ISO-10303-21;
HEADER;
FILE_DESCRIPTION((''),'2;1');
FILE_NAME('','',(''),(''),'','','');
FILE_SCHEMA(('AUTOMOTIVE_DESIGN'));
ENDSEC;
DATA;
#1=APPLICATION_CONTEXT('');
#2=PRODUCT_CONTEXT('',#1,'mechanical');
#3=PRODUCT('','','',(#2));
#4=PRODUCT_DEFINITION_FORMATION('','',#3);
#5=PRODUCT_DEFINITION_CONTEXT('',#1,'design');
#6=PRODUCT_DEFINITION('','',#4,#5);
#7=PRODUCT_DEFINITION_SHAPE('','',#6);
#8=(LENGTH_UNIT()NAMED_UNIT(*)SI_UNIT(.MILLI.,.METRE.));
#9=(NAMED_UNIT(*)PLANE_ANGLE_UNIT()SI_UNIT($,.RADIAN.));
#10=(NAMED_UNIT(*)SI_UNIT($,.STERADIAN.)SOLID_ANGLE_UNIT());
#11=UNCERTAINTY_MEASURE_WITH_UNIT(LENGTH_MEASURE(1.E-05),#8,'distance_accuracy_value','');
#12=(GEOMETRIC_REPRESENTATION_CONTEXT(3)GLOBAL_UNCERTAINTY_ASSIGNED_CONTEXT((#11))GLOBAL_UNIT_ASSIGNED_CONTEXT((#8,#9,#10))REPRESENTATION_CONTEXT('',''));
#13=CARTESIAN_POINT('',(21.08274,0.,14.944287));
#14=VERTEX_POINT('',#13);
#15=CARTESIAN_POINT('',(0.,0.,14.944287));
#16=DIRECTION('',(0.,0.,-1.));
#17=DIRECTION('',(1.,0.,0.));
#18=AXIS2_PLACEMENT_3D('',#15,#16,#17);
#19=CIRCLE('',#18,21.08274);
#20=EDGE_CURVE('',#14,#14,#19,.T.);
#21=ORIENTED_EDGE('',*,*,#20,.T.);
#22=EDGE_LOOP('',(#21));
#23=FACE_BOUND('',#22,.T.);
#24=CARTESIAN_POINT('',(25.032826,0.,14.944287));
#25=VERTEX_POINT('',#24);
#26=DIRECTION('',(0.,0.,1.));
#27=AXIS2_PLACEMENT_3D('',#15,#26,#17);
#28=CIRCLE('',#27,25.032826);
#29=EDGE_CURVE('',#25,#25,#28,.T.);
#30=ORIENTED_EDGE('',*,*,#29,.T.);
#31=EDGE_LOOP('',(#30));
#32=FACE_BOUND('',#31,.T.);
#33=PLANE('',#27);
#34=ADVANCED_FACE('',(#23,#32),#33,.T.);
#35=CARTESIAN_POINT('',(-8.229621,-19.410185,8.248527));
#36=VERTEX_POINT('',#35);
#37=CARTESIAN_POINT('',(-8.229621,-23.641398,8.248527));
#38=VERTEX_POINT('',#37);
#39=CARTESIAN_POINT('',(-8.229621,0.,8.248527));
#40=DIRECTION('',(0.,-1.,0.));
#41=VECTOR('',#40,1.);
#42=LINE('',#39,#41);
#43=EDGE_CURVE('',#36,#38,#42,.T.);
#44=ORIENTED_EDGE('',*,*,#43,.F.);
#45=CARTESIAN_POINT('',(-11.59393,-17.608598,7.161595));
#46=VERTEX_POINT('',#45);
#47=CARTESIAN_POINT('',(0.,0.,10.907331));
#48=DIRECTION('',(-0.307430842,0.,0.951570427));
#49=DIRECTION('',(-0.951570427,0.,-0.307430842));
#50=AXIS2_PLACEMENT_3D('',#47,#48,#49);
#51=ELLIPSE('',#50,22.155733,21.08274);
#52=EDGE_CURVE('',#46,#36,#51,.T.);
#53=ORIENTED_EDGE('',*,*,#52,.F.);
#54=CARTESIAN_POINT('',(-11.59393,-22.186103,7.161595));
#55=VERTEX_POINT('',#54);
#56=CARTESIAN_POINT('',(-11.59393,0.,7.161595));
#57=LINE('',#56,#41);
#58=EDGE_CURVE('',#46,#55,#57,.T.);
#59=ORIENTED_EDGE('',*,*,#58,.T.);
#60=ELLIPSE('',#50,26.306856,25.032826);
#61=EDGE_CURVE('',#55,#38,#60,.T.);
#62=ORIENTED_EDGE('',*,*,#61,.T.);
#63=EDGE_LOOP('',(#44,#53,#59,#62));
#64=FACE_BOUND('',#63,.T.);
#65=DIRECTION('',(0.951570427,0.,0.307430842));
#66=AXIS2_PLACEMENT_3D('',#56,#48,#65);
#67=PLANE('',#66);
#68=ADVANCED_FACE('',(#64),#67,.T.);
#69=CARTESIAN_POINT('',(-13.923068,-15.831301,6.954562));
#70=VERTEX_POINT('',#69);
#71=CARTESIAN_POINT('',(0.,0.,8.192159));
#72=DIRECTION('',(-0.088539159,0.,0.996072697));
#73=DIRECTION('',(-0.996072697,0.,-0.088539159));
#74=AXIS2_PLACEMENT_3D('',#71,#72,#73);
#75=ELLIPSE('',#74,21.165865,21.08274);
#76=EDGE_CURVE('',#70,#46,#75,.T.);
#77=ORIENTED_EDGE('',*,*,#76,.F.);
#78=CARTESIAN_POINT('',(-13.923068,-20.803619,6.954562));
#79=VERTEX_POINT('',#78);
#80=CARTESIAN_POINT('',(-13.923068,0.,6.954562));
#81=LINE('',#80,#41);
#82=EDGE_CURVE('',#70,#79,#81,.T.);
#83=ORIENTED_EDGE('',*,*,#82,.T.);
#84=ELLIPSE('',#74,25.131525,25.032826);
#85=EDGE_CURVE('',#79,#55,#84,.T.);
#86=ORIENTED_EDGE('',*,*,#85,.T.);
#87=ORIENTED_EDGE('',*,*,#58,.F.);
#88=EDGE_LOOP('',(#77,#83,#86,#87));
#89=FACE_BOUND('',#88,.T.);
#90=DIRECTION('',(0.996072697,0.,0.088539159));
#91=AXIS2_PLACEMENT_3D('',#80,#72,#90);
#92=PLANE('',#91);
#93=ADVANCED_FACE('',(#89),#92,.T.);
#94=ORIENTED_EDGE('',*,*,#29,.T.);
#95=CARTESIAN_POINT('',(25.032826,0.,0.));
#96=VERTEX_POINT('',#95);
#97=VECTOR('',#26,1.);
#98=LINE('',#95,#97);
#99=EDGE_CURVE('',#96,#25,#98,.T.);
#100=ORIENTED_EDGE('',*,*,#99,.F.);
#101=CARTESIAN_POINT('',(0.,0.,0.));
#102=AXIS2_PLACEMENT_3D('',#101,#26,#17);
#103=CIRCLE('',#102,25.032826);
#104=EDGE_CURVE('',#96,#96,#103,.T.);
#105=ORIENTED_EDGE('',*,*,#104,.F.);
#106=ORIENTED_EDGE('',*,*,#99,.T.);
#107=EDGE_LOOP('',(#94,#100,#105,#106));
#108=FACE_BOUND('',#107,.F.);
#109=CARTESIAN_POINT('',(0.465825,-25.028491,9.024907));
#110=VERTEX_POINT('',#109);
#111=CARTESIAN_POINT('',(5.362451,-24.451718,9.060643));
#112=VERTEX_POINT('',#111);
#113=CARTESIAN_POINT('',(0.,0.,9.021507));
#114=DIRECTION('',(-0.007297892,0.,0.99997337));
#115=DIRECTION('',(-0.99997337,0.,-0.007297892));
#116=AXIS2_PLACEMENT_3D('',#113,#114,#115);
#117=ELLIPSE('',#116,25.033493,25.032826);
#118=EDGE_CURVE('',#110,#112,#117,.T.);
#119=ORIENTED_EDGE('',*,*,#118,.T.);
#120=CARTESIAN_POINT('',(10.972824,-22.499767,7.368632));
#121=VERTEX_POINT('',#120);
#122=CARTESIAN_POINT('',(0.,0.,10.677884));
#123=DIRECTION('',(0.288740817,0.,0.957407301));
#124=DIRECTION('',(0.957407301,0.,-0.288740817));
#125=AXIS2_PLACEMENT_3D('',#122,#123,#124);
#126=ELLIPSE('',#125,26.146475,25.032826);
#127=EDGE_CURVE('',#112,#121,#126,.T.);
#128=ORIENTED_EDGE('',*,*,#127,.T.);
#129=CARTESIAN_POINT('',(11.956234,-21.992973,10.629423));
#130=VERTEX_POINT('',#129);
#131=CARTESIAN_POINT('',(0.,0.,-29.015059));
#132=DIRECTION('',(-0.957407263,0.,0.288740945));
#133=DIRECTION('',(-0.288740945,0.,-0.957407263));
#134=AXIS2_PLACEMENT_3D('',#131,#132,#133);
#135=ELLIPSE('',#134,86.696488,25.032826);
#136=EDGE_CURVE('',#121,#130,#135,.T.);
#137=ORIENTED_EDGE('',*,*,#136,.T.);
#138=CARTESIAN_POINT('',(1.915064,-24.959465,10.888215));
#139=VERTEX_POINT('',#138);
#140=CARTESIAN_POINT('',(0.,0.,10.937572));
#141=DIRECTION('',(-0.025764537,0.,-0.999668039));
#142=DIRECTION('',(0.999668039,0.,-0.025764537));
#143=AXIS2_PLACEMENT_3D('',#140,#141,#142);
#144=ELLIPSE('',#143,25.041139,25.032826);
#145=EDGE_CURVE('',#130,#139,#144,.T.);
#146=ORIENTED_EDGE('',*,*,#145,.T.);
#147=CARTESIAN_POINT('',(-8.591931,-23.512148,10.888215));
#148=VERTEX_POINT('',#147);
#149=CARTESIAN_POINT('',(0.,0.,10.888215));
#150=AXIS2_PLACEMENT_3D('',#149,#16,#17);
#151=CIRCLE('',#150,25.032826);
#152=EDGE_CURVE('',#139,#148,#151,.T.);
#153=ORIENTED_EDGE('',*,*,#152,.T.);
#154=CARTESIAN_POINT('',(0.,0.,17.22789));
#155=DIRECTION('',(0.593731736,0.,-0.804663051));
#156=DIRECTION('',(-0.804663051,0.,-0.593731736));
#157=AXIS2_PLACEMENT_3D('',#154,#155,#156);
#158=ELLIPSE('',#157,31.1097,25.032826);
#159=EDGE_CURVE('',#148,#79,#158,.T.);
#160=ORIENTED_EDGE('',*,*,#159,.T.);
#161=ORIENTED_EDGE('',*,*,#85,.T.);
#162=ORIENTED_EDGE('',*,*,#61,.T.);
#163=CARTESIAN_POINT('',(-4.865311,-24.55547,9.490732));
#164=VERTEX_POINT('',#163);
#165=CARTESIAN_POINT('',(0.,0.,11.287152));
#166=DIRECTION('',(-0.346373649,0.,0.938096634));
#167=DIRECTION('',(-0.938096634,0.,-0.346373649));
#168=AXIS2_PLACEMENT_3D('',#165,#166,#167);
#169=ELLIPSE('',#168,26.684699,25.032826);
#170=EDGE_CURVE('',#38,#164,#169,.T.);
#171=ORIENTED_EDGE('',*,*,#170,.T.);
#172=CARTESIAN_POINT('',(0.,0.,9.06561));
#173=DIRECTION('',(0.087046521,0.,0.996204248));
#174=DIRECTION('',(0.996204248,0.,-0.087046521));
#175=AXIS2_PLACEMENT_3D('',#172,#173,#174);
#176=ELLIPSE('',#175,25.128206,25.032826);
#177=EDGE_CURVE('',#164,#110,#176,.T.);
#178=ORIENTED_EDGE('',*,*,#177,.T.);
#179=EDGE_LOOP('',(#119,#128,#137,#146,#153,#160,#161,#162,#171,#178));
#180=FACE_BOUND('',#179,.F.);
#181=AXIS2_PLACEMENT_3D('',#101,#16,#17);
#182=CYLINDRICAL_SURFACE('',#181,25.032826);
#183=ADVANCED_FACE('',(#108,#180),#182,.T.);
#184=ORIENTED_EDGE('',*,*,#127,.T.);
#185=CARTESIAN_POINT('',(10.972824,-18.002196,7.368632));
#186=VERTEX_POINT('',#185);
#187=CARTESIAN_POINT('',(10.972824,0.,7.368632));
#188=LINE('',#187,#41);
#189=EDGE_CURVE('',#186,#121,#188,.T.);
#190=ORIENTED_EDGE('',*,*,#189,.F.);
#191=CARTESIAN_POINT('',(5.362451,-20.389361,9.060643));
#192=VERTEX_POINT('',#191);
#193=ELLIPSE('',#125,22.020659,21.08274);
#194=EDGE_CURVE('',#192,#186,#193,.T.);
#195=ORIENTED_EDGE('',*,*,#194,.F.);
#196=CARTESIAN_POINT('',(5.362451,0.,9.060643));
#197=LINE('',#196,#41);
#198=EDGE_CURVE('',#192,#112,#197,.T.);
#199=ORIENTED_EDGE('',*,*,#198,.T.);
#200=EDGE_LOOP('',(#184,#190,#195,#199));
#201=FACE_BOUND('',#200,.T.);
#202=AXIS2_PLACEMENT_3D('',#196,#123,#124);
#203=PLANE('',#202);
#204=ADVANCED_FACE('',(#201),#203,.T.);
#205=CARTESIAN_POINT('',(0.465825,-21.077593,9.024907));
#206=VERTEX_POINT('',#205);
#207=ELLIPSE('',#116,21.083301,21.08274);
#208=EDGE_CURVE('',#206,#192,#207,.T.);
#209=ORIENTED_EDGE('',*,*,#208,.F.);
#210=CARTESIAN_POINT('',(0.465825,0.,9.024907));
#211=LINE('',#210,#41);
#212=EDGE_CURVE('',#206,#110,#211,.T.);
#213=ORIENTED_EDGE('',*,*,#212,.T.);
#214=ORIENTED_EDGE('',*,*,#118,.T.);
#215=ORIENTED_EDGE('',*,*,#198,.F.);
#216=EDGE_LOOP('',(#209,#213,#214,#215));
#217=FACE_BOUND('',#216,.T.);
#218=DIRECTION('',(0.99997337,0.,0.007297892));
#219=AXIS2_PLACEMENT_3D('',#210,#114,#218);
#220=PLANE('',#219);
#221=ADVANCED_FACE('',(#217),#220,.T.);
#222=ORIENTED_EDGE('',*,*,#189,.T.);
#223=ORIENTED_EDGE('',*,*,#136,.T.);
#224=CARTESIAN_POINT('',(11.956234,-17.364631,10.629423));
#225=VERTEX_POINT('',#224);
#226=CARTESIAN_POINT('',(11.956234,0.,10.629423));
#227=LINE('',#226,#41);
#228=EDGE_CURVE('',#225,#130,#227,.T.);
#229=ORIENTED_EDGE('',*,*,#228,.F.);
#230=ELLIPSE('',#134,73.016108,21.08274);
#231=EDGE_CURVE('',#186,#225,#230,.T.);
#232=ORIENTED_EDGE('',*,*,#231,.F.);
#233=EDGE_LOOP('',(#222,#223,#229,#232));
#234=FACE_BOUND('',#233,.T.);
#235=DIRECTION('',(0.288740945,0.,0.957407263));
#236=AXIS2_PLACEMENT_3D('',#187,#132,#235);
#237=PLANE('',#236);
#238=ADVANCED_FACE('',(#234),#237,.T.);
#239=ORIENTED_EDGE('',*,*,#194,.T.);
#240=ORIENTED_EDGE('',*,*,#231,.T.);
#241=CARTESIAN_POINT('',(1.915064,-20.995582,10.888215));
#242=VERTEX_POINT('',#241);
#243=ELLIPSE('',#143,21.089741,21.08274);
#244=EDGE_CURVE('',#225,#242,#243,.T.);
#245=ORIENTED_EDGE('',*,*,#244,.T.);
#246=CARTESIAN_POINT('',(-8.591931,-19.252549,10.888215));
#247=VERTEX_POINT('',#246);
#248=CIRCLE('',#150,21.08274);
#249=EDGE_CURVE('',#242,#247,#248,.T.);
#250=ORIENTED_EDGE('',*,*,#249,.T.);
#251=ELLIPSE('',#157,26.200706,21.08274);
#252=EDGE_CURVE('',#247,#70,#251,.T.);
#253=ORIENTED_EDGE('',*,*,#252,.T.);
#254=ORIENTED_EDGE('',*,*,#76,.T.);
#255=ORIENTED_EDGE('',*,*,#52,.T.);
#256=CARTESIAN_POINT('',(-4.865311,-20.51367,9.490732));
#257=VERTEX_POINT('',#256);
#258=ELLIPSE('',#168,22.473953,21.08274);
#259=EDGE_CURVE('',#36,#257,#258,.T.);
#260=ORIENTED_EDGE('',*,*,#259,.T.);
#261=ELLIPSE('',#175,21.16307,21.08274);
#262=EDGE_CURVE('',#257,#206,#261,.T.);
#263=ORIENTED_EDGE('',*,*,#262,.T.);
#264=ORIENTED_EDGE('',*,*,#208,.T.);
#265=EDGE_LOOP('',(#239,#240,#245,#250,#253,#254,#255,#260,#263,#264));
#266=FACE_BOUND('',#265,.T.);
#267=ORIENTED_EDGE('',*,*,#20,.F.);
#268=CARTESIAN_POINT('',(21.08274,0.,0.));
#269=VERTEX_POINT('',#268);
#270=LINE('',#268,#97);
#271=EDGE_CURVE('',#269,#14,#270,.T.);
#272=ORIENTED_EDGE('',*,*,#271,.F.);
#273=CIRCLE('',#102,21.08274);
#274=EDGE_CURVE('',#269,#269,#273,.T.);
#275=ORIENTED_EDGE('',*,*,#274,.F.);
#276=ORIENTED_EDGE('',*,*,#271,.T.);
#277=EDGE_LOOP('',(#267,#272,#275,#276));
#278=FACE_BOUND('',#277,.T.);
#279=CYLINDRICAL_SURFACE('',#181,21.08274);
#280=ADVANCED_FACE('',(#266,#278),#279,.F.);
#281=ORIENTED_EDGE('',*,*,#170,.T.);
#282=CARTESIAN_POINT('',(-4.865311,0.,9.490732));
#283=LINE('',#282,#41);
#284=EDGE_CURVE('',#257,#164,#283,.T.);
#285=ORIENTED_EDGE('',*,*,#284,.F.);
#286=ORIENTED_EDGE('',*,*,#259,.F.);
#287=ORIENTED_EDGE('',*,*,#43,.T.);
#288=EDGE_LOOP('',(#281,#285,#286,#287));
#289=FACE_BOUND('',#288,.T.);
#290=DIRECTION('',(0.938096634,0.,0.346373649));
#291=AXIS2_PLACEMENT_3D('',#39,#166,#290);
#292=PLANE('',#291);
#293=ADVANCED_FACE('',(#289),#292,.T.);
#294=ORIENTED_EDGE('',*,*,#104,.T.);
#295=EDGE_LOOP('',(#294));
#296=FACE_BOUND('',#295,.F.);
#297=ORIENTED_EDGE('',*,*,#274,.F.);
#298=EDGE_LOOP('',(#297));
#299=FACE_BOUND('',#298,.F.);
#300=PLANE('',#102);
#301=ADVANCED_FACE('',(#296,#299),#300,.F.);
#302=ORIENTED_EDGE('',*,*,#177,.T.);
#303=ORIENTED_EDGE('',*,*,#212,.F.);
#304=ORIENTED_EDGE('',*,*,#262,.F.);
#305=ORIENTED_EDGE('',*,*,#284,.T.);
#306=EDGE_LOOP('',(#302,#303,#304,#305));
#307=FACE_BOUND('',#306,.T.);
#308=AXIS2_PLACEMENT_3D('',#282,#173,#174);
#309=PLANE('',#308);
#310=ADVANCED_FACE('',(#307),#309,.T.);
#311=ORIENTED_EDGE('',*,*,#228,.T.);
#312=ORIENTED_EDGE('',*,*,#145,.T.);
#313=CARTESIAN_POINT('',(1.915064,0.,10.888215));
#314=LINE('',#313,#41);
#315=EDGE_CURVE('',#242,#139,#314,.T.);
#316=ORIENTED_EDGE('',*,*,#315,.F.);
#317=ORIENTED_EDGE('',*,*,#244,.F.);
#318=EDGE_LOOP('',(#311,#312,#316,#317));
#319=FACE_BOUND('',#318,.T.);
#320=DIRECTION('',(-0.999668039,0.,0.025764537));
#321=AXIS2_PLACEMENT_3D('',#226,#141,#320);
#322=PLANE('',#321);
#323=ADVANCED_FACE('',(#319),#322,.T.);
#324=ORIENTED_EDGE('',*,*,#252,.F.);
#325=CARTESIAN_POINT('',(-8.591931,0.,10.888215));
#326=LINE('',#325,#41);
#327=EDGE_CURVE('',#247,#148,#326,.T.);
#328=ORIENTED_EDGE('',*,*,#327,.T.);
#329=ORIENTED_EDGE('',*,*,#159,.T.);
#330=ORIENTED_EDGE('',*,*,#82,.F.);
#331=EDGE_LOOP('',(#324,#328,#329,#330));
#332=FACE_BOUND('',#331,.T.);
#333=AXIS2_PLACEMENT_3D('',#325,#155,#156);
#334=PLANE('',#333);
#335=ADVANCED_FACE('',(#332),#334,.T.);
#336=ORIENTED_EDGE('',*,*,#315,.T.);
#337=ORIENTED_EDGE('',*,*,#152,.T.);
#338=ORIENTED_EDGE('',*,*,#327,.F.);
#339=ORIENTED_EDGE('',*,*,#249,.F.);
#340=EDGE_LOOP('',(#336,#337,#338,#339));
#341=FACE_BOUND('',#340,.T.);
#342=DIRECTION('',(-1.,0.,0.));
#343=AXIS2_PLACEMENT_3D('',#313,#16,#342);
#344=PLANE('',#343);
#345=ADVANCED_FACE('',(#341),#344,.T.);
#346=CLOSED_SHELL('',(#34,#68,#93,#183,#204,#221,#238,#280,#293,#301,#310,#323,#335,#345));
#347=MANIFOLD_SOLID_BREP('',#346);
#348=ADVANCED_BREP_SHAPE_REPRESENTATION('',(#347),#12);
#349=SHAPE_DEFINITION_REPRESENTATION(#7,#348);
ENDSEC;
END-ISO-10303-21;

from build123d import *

# Parameters (mm, degrees)
F0_R     = 25.032826
F2_DEPTH = 14.944287
F1_R     = 21.08274
F3_DEPTH = 20.706544
F5_DEPTH = 25.4


with BuildPart() as f2:
    # F0 (on Top) → F2 (new body)
    with BuildSketch(Plane.XY):
        Circle(F0_R)
    extrude(amount=F2_DEPTH)

    # F1 (on face) → F3 (cut)
    with BuildSketch(Plane.XY):
        Circle(F1_R)
    extrude(amount=F3_DEPTH, mode=Mode.SUBTRACT)

    # F4 (on Front) → F5 (cut)
    with BuildSketch(Plane.XZ):
        Polygon((-8.591931, 10.888215), (-13.923068, 6.954562), (-11.59393, 7.161595), (-8.229621, 8.248527), (-4.865311, 9.490732), (0.465825, 9.024907), (5.362451, 9.060643), (10.972824, 7.368632), (11.956234, 10.629423), (1.915064, 10.888215), align=None)
    extrude(amount=F5_DEPTH, mode=Mode.SUBTRACT)


solid = f2.part
